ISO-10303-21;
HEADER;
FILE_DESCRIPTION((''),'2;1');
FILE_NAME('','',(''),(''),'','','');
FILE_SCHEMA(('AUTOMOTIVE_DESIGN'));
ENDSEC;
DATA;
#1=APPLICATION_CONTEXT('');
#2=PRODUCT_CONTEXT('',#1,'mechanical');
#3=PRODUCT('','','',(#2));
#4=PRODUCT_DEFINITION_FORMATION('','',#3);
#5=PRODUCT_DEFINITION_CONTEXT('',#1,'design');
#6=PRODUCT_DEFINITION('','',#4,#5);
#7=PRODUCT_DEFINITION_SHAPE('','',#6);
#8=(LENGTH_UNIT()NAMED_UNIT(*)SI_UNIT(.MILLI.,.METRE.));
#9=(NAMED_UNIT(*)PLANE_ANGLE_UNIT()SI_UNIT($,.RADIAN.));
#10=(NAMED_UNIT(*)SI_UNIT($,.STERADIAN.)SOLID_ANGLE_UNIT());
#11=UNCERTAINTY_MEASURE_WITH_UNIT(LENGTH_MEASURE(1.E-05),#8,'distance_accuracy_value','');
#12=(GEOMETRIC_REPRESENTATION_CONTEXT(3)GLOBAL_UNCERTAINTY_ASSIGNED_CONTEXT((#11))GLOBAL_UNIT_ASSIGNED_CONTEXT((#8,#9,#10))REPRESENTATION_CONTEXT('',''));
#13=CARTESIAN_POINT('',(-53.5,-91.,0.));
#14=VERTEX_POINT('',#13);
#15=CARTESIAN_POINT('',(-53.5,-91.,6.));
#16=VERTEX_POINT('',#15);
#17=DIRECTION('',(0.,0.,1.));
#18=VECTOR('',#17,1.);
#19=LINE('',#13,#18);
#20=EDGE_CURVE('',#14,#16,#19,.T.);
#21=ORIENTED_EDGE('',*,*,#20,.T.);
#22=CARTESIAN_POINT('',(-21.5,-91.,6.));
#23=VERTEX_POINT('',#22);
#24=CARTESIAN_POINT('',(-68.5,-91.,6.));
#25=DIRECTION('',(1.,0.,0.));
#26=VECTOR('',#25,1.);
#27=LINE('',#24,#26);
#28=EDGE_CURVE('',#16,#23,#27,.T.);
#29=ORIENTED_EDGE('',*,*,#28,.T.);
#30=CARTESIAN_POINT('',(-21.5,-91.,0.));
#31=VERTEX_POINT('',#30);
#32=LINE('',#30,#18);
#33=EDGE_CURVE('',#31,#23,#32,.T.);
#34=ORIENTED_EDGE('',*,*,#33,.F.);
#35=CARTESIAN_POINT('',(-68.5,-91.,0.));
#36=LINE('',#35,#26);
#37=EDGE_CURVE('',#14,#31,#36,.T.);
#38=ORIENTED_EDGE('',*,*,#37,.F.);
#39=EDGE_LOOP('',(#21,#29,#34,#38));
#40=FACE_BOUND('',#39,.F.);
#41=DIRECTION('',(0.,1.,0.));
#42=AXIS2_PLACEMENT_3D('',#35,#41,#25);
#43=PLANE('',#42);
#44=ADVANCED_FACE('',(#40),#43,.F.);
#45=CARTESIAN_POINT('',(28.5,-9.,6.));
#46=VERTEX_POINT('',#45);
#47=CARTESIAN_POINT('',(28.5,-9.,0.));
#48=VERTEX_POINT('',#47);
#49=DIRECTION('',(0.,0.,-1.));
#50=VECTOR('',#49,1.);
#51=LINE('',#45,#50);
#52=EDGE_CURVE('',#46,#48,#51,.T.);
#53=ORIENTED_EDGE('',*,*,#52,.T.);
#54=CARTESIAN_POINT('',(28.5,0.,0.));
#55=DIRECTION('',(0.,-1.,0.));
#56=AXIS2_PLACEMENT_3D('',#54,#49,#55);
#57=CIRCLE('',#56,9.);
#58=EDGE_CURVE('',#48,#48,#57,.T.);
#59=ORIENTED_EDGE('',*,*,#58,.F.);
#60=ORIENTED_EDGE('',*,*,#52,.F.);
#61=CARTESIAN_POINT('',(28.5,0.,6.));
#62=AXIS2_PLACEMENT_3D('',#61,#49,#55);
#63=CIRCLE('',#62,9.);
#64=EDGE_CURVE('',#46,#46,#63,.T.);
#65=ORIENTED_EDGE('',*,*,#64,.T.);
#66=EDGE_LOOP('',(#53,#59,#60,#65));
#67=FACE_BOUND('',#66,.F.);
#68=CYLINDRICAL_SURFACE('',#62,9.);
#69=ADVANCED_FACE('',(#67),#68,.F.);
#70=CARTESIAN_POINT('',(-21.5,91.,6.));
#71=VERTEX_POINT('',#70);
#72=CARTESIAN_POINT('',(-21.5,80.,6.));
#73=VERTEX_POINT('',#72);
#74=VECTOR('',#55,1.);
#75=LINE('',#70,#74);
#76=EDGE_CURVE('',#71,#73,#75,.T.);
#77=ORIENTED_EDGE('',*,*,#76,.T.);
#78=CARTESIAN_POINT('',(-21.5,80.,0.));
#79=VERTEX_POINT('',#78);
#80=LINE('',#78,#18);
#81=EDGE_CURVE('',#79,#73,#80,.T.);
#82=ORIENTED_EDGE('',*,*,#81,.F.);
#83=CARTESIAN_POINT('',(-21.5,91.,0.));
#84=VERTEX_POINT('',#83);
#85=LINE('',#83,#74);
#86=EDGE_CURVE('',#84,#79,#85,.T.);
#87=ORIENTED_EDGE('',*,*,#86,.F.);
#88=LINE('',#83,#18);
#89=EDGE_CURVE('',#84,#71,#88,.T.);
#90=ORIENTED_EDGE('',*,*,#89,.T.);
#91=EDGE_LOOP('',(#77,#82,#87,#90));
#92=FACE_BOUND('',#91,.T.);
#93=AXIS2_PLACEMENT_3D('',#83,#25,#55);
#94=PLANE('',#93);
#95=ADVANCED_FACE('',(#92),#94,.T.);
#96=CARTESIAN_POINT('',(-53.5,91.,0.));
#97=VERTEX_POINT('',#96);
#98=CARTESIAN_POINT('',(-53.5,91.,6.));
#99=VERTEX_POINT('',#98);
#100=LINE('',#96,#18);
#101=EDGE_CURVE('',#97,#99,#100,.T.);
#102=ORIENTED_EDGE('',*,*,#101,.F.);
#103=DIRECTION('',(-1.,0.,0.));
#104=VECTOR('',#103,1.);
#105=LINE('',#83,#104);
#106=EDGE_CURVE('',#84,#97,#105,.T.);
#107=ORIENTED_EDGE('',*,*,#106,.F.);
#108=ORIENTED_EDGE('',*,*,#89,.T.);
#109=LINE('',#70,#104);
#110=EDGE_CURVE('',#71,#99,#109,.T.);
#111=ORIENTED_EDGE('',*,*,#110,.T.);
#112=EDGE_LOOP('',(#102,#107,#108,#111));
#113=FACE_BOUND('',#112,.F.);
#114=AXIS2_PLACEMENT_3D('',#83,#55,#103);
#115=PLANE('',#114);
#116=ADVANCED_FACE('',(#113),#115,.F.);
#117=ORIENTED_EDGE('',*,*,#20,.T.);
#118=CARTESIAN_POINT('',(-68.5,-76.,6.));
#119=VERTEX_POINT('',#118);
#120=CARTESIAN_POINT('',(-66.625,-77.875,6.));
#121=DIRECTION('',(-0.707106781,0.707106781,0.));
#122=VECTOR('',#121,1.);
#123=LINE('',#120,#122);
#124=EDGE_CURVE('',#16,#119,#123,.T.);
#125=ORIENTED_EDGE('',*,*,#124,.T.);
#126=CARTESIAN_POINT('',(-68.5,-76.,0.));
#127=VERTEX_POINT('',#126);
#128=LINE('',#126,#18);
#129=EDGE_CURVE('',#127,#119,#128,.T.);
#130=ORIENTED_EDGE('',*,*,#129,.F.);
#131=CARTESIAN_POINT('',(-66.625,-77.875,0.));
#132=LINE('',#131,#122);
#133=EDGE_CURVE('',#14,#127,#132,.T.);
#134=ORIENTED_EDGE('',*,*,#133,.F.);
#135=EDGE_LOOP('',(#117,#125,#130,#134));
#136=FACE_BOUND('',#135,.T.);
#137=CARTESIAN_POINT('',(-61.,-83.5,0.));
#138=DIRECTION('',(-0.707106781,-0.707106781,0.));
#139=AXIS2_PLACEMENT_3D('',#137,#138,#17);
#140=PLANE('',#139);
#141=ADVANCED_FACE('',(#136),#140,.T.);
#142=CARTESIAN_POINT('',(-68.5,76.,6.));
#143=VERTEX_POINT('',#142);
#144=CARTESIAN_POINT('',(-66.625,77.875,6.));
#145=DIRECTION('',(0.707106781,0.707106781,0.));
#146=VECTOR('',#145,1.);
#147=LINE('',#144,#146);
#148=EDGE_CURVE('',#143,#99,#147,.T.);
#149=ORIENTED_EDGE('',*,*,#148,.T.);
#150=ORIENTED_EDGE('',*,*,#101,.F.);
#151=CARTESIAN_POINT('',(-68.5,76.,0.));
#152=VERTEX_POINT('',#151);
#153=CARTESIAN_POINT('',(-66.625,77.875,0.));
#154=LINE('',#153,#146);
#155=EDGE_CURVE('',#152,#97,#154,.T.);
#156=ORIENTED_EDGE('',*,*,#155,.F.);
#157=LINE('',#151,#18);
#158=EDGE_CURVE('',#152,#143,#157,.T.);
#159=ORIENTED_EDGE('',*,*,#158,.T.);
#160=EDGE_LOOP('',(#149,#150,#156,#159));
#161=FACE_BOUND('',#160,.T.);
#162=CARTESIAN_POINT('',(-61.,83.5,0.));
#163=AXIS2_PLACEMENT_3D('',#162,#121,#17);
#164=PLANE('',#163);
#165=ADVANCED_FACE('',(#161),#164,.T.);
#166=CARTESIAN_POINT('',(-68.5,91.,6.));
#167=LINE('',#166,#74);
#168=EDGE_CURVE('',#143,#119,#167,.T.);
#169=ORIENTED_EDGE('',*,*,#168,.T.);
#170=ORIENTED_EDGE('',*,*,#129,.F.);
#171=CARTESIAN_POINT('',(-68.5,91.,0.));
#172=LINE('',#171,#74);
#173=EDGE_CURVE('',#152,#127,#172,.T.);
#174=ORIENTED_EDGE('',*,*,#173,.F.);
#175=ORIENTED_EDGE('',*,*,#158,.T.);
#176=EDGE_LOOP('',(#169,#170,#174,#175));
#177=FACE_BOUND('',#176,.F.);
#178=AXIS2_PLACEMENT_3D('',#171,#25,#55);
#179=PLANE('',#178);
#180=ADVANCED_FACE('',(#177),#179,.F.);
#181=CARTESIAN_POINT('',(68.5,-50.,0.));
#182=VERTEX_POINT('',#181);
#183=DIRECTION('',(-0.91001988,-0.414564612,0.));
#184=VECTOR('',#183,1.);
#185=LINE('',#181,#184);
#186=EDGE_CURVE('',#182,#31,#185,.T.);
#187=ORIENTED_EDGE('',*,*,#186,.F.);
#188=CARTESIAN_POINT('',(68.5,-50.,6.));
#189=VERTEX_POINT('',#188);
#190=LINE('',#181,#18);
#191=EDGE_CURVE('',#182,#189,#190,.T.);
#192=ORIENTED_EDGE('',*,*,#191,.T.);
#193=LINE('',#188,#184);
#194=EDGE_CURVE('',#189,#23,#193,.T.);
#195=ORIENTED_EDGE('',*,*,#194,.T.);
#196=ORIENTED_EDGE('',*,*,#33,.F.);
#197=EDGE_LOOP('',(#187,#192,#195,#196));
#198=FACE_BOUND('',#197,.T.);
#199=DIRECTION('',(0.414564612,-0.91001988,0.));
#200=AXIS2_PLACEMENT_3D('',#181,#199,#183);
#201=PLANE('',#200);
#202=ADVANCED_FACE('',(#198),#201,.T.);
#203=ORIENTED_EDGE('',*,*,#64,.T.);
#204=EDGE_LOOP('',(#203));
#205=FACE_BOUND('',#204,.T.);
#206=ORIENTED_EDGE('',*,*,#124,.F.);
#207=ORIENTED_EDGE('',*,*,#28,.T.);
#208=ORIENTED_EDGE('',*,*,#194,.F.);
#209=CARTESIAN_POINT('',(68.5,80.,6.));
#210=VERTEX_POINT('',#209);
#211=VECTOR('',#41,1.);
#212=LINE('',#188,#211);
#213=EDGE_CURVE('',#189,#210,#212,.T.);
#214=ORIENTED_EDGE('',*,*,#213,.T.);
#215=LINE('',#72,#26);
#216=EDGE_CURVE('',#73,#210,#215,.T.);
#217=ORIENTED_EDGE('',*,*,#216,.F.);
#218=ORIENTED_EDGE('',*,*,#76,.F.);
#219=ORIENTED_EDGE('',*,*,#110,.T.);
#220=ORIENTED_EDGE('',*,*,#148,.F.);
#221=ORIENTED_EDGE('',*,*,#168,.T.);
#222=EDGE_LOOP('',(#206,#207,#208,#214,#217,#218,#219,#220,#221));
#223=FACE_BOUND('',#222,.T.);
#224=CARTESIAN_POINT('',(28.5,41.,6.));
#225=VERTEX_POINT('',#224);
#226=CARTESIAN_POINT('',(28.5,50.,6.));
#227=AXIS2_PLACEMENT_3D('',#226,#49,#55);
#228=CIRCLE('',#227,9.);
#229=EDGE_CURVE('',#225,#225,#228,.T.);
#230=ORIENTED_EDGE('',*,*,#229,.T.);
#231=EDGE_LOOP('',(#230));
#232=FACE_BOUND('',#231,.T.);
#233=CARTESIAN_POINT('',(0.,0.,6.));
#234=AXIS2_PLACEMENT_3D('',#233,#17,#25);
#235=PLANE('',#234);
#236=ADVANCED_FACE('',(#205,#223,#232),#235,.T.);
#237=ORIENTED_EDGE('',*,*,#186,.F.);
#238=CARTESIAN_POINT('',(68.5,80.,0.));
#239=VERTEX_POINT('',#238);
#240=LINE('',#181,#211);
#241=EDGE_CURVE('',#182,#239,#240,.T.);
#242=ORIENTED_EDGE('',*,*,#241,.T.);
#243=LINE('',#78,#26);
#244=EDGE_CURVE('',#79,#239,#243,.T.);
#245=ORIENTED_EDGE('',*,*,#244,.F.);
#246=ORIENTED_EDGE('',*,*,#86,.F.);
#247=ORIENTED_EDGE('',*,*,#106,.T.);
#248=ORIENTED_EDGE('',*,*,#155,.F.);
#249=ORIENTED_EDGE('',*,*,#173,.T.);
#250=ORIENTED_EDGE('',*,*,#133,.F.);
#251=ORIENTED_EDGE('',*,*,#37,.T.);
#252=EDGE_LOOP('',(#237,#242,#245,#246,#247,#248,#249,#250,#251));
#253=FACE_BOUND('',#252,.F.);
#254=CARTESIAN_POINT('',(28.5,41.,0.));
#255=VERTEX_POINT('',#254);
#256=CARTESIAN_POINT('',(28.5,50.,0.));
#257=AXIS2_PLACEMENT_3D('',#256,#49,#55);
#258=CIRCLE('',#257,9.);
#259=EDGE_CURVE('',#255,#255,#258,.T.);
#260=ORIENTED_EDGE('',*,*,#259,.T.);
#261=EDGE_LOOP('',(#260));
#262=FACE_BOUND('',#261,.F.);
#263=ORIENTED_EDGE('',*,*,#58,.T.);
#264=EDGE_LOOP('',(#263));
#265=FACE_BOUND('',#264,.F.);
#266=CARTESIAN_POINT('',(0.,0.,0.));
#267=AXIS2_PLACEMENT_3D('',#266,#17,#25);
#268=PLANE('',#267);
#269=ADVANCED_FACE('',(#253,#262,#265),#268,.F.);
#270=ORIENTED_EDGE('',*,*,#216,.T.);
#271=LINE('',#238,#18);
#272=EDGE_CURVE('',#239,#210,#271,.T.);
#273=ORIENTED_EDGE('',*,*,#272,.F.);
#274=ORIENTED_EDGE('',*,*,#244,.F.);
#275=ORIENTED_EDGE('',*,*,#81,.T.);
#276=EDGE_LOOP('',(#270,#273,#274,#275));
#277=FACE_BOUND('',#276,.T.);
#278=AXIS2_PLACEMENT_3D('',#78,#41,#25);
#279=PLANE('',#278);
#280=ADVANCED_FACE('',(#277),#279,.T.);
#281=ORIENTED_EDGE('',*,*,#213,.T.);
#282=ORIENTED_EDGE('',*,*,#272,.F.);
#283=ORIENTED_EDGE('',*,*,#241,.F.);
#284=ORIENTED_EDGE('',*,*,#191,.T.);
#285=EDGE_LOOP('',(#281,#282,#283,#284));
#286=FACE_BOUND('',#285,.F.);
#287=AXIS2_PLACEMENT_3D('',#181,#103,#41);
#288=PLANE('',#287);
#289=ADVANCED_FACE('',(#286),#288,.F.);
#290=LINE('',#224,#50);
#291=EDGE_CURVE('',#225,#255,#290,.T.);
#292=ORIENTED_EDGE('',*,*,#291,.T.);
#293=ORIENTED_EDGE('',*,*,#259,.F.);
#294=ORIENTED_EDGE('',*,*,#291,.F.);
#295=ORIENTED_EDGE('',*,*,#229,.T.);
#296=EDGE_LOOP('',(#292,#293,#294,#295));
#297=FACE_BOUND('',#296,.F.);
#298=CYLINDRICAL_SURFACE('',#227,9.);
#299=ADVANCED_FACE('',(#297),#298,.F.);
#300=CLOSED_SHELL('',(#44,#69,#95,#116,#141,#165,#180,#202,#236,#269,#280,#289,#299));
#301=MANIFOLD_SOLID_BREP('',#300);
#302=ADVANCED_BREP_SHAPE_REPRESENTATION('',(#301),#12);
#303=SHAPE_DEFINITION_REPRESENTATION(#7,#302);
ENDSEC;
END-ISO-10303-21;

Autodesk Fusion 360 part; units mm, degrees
sketch "スケッチ1" plane through (0, 0, 0) normal (0, 0, 1) x (1, 0, 0)
  line L0 (-21.5, 91) -> (-68.5, 91)
  line L1 (-68.5, 91) -> (-68.5, -91)
  line L2 (-68.5, -91) -> (-21.5, -91)
  line L3 (68.5, -50) -> (68.5, 80)
  line L4 (60.2198, 80) -> (-68.5, -91) construction
  line L5 (-68.5, 91) -> (45.5182, -60.4695) construction
  line L6 (-21.5, 91) -> (-21.5, 80)
  line L7 (-21.5, 80) -> (68.5, 80)
  line L8 (-68.5, -91) -> (-21.5, -91) construction
  line L9 (68.5, -50) -> (-21.5, -91)
  dimension "d2" = 182
  dimension "d5" = 47
extrude "押し出し1" add sketch "スケッチ1" along normal blind 6
chamfer "面取り1" distance 15 angle 45 2 edges at (-68.5, -91, 3) (-68.5, 91, 3)
sketch "スケッチ2" plane through (0, 0, 6) normal (0, 0, 1) x (-1, 0, 0)
  line L0 (53.5, -91) -> (68.5, -76)
  line L1 (68.5, -76) -> (68.5, 76)
  line L2 (68.5, 76) -> (53.5, 91)
  line L3 (53.5, 91) -> (21.5, 91)
  line L4 (21.5, 91) -> (-68.5, 50)
  line L5 (-68.5, 50) -> (-68.5, -80)
  line L6 (-68.5, -80) -> (21.5, -80)
  line L7 (21.5, -80) -> (21.5, -91)
  line L8 (21.5, -91) -> (53.5, -91)
  line L9 (-68.5, -80) -> (-28.5, -80) construction
  line L10 (-28.5, -80) -> (-28.5, -50) construction
  line L11 (-28.5, -50) -> (-68.5, -50) construction
  line L12 (-68.5, -50) -> (-68.5, -80) construction
  line L13 (-68.5, -50) -> (-28.5, -50) construction
  line L14 (-28.5, -50) -> (-28.5, 0) construction
  line L15 (-28.5, 0) -> (-68.5, 0) construction
  line L16 (-68.5, 0) -> (-68.5, -50) construction
  point P0 (-28.5, -50)
  point P1 (-28.5, 0)
  dimension "d10" = 40
  dimension "d11" = 30
  dimension "d12" = 40
  dimension "d13" = 50
hole "穴1" at (28.5, 50, 6) at (28.5, 0, 6) direction (0, 0, -1) diameter 18 end through all
equation "d5 = 15 mm + 32 mm"
